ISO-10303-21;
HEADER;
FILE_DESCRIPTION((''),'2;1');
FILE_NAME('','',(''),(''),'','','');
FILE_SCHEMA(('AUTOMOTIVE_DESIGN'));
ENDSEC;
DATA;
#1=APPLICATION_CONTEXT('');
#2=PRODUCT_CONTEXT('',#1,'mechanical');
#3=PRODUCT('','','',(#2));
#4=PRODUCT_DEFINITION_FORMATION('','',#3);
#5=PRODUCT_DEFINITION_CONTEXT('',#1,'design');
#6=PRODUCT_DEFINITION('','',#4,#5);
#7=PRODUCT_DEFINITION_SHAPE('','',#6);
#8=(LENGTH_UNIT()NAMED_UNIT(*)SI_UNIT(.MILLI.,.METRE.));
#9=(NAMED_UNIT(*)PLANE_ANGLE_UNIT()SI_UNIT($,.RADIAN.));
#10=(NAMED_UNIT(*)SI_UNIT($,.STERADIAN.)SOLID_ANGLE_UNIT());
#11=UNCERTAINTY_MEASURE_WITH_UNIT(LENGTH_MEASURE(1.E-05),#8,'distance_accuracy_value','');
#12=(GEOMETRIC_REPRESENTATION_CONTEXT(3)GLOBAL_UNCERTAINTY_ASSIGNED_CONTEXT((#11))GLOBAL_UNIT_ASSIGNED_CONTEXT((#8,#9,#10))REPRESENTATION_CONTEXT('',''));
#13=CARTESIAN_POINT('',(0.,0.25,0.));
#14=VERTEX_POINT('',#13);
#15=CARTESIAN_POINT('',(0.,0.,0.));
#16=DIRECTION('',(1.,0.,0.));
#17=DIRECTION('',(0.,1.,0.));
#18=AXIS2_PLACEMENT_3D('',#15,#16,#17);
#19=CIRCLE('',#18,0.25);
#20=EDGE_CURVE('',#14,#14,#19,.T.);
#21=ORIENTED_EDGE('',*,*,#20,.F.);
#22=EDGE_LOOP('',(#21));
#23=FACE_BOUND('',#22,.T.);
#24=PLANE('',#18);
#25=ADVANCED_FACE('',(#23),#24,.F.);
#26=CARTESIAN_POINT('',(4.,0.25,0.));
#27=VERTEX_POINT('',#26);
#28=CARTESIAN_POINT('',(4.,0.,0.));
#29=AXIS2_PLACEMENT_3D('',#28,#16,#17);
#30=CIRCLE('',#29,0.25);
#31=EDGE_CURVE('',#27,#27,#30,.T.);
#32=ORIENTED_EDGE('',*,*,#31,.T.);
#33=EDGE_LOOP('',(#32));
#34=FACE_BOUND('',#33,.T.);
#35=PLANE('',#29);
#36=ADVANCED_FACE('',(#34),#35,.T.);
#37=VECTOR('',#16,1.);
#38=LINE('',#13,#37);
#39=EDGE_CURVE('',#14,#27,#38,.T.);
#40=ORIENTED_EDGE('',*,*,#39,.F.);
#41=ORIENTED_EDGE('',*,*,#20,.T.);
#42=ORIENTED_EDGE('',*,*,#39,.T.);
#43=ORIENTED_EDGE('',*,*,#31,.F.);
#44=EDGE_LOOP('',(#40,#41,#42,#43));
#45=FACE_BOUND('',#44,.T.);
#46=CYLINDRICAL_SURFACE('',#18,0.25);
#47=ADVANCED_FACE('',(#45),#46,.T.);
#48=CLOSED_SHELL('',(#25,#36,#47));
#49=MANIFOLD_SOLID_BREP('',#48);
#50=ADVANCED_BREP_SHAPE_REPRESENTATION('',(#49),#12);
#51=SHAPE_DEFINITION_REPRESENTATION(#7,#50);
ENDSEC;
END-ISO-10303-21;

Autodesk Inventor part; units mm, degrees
ref_plane "Start Plane" through (0, 0, 0) normal (1, 0, 0) x (0, 1, 0)
ref_plane "XZ Plane" through (0, 0, 0) normal (0, 1, 0) x (-1, 0, 0)
ref_plane "XY Plane" through (0, 0, 0) normal (0, 0, 1) x (1, 0, 0)
sketch "Main Sketch" plane through (0, 0, 0) normal (0, 0, 1) x (1, 0, 0)
  line L0 (0, 0) -> (4, 0)
  line L1 (0, 0) -> (0, 0.25)
  line L2 (4, 0.25) -> (4, 0)
  line L3 (0, 0.25) -> (4, 0.25)
  dimension "d3" = 0.5
revolve "Revolution1" add sketch "Main Sketch" angle 360 about axis through (0, 0, 0) along (1, 0, 0)
equation "\"Length\" = 4"
properties part number "Shaft" material "Steel"
